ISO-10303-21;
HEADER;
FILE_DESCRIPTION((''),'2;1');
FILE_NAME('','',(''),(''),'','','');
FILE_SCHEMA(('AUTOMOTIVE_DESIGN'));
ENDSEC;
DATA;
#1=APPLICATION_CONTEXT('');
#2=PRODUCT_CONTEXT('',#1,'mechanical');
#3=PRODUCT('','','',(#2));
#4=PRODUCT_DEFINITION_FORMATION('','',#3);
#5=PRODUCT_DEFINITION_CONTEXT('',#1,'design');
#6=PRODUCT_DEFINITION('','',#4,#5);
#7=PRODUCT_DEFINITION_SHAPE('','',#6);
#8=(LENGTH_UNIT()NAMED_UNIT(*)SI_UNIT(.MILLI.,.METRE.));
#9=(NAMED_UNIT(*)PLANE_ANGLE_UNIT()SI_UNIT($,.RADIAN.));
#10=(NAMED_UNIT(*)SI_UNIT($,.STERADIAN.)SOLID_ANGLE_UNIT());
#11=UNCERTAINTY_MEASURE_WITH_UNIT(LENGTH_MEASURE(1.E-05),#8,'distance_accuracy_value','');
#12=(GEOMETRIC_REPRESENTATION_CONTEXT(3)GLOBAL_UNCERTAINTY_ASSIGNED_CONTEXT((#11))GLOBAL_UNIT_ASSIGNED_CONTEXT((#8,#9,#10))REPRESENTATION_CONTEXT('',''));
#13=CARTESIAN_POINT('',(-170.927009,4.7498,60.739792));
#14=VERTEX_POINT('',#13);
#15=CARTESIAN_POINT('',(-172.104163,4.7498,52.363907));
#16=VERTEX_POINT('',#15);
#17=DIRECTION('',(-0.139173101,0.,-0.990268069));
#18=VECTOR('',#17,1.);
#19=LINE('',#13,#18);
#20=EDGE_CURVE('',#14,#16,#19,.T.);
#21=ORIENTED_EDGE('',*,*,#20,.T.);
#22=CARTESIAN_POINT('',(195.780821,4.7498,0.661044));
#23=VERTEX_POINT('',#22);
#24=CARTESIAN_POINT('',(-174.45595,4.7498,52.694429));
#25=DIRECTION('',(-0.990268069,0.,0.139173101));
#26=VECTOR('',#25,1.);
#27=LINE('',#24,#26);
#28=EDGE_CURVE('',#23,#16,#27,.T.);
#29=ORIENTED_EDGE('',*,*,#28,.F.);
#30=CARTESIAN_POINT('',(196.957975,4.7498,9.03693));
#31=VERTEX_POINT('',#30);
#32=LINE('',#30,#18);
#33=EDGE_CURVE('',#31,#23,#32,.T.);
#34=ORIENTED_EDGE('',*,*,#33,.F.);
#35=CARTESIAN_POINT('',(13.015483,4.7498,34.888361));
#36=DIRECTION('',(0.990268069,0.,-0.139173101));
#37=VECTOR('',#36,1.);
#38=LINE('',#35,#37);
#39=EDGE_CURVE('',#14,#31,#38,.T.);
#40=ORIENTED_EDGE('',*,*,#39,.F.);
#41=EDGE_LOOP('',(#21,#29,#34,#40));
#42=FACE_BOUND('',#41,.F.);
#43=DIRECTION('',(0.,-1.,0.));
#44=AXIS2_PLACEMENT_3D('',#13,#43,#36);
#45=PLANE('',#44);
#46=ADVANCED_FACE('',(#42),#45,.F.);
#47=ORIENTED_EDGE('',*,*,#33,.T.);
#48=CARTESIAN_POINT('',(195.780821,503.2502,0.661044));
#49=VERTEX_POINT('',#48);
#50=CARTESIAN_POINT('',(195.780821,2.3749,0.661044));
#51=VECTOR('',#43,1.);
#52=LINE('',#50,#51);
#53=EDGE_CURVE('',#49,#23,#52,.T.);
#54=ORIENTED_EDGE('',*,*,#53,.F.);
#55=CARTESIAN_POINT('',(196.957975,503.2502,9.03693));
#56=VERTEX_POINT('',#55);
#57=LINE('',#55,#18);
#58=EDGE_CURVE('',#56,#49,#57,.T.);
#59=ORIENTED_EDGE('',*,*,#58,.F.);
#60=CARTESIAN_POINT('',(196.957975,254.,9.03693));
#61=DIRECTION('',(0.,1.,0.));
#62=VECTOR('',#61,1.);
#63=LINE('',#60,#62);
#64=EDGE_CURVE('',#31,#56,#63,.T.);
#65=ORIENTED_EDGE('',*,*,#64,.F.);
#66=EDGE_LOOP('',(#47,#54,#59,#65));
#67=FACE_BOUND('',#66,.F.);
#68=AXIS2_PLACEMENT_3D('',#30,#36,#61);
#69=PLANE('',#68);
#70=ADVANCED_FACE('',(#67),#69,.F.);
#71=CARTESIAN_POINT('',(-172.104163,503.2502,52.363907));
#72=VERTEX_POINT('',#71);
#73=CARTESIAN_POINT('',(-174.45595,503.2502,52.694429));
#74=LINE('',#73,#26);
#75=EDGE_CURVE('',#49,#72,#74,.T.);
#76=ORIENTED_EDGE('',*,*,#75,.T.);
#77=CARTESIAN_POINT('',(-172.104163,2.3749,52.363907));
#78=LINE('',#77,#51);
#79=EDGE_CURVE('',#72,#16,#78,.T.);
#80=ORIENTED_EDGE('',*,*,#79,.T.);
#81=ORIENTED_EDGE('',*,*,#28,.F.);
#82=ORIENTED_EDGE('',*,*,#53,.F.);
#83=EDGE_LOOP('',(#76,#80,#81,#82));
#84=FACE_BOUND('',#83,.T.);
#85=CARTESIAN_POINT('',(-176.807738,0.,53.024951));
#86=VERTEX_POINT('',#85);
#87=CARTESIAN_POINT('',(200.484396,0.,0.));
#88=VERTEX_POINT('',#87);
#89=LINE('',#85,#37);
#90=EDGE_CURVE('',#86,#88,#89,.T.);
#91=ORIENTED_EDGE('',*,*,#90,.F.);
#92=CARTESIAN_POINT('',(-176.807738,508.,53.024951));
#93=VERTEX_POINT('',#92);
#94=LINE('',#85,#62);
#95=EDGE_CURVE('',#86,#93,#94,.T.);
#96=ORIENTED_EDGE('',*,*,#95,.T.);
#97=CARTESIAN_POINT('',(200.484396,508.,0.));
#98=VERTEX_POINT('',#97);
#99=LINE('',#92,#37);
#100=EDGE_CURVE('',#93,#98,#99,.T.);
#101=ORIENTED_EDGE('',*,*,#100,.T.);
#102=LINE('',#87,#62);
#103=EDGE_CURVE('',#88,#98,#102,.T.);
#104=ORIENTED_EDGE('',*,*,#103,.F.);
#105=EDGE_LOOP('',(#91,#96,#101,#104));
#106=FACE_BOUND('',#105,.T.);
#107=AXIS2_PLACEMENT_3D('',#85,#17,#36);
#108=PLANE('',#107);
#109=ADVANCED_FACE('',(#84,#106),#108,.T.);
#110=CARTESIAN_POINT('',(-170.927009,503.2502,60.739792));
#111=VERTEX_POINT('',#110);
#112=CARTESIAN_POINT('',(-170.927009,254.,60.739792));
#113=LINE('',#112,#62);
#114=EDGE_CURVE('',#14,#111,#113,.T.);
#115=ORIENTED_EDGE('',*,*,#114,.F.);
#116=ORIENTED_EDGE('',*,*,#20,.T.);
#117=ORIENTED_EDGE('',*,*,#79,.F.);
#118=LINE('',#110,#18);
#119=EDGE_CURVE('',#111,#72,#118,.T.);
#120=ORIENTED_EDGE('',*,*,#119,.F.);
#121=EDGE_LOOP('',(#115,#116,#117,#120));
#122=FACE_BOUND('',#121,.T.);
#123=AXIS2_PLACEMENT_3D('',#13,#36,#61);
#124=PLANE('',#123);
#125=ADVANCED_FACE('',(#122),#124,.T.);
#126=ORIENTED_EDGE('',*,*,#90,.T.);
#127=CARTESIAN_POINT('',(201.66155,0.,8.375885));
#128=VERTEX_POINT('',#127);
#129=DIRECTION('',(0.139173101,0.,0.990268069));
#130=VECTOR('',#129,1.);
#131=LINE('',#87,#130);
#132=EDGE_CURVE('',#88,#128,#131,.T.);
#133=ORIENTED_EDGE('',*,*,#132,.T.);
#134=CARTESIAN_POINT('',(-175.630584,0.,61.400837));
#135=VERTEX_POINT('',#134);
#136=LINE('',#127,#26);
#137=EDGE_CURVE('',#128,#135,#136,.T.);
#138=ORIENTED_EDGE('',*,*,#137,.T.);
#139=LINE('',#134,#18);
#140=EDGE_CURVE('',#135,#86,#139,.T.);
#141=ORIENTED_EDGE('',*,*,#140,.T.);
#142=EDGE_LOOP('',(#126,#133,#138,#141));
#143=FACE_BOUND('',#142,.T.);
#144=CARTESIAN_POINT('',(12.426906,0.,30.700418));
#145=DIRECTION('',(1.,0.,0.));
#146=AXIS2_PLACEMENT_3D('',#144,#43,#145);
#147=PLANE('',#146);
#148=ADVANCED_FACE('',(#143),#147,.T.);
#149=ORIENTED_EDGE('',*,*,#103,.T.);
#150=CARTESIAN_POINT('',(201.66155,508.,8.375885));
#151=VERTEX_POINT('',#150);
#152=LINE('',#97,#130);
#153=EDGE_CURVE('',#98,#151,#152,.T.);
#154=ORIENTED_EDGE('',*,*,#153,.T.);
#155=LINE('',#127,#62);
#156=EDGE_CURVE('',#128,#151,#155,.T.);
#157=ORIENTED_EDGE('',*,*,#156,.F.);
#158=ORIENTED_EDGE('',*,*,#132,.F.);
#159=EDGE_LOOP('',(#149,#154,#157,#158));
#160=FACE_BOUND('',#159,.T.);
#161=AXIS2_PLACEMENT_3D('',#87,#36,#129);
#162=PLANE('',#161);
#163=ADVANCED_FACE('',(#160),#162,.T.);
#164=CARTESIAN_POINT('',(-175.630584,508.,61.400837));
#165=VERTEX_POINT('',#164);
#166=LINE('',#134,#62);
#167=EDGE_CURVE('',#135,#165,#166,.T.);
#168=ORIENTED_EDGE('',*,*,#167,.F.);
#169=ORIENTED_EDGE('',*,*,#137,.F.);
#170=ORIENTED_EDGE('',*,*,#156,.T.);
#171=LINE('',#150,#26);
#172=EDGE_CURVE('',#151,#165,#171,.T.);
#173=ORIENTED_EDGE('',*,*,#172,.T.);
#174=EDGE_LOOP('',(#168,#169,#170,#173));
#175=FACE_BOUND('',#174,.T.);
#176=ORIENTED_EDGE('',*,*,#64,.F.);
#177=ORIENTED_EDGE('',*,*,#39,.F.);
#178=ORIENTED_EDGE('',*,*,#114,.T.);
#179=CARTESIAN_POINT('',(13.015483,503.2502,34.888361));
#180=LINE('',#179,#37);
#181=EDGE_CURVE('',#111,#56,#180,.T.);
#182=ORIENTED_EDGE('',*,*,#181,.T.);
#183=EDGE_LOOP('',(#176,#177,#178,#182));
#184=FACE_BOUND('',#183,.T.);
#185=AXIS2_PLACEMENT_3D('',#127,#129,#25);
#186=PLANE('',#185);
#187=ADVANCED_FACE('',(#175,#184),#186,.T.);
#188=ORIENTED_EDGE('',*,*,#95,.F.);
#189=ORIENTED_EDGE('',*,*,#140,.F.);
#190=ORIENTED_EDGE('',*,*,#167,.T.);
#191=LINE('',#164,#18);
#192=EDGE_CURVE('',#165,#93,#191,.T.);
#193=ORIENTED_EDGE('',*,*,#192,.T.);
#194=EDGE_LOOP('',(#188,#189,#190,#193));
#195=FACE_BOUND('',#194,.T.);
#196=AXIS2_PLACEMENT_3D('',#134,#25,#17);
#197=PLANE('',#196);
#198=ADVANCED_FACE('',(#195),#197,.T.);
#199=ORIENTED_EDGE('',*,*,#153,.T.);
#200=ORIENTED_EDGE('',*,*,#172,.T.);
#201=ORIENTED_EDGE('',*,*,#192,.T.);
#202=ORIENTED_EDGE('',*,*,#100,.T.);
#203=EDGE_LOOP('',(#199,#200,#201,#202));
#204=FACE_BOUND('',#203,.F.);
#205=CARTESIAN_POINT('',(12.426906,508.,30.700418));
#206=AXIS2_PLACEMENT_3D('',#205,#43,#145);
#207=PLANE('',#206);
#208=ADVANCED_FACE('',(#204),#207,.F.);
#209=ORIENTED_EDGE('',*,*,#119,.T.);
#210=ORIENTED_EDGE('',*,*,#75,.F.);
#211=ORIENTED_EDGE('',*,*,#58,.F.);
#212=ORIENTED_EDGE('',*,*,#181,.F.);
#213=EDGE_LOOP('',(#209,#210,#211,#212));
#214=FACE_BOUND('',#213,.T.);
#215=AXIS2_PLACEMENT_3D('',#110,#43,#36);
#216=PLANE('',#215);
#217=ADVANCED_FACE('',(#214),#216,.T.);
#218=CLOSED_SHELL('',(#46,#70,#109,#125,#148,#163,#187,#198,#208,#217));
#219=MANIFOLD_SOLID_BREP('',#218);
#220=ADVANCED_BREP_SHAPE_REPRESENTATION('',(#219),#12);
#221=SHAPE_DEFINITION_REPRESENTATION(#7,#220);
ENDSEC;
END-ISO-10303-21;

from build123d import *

# Parameters (mm, degrees)
F1_DEPTH = 508
F2_W     = 371.5004
F2_H     = 498.5004
F3_DEPTH = 25.4


with BuildPart() as f1:
    # F0 (on Front) → F1 (new body)
    with BuildSketch(Plane.XZ):
        Polygon((-175.6305839464, 61.4008368448), (-176.807737869, 53.0249514658), (200.4843963216, 0), (201.6615502441, 8.375885379), align=None)
    extrude(amount=-F1_DEPTH)

    # F2 (on face) → F3 (cut)
    with BuildSketch(Plane(origin=(5.0603666747, 0, 36.0063798214), x_dir=(0.9902680687, 0, -0.139173101), z_dir=(0.139173101, 0, 0.9902680687))):
        with Locations((8.0332959582, 254)):
            Rectangle(F2_W, F2_H)
    extrude(amount=-F3_DEPTH, mode=Mode.SUBTRACT)


solid = f1.part
